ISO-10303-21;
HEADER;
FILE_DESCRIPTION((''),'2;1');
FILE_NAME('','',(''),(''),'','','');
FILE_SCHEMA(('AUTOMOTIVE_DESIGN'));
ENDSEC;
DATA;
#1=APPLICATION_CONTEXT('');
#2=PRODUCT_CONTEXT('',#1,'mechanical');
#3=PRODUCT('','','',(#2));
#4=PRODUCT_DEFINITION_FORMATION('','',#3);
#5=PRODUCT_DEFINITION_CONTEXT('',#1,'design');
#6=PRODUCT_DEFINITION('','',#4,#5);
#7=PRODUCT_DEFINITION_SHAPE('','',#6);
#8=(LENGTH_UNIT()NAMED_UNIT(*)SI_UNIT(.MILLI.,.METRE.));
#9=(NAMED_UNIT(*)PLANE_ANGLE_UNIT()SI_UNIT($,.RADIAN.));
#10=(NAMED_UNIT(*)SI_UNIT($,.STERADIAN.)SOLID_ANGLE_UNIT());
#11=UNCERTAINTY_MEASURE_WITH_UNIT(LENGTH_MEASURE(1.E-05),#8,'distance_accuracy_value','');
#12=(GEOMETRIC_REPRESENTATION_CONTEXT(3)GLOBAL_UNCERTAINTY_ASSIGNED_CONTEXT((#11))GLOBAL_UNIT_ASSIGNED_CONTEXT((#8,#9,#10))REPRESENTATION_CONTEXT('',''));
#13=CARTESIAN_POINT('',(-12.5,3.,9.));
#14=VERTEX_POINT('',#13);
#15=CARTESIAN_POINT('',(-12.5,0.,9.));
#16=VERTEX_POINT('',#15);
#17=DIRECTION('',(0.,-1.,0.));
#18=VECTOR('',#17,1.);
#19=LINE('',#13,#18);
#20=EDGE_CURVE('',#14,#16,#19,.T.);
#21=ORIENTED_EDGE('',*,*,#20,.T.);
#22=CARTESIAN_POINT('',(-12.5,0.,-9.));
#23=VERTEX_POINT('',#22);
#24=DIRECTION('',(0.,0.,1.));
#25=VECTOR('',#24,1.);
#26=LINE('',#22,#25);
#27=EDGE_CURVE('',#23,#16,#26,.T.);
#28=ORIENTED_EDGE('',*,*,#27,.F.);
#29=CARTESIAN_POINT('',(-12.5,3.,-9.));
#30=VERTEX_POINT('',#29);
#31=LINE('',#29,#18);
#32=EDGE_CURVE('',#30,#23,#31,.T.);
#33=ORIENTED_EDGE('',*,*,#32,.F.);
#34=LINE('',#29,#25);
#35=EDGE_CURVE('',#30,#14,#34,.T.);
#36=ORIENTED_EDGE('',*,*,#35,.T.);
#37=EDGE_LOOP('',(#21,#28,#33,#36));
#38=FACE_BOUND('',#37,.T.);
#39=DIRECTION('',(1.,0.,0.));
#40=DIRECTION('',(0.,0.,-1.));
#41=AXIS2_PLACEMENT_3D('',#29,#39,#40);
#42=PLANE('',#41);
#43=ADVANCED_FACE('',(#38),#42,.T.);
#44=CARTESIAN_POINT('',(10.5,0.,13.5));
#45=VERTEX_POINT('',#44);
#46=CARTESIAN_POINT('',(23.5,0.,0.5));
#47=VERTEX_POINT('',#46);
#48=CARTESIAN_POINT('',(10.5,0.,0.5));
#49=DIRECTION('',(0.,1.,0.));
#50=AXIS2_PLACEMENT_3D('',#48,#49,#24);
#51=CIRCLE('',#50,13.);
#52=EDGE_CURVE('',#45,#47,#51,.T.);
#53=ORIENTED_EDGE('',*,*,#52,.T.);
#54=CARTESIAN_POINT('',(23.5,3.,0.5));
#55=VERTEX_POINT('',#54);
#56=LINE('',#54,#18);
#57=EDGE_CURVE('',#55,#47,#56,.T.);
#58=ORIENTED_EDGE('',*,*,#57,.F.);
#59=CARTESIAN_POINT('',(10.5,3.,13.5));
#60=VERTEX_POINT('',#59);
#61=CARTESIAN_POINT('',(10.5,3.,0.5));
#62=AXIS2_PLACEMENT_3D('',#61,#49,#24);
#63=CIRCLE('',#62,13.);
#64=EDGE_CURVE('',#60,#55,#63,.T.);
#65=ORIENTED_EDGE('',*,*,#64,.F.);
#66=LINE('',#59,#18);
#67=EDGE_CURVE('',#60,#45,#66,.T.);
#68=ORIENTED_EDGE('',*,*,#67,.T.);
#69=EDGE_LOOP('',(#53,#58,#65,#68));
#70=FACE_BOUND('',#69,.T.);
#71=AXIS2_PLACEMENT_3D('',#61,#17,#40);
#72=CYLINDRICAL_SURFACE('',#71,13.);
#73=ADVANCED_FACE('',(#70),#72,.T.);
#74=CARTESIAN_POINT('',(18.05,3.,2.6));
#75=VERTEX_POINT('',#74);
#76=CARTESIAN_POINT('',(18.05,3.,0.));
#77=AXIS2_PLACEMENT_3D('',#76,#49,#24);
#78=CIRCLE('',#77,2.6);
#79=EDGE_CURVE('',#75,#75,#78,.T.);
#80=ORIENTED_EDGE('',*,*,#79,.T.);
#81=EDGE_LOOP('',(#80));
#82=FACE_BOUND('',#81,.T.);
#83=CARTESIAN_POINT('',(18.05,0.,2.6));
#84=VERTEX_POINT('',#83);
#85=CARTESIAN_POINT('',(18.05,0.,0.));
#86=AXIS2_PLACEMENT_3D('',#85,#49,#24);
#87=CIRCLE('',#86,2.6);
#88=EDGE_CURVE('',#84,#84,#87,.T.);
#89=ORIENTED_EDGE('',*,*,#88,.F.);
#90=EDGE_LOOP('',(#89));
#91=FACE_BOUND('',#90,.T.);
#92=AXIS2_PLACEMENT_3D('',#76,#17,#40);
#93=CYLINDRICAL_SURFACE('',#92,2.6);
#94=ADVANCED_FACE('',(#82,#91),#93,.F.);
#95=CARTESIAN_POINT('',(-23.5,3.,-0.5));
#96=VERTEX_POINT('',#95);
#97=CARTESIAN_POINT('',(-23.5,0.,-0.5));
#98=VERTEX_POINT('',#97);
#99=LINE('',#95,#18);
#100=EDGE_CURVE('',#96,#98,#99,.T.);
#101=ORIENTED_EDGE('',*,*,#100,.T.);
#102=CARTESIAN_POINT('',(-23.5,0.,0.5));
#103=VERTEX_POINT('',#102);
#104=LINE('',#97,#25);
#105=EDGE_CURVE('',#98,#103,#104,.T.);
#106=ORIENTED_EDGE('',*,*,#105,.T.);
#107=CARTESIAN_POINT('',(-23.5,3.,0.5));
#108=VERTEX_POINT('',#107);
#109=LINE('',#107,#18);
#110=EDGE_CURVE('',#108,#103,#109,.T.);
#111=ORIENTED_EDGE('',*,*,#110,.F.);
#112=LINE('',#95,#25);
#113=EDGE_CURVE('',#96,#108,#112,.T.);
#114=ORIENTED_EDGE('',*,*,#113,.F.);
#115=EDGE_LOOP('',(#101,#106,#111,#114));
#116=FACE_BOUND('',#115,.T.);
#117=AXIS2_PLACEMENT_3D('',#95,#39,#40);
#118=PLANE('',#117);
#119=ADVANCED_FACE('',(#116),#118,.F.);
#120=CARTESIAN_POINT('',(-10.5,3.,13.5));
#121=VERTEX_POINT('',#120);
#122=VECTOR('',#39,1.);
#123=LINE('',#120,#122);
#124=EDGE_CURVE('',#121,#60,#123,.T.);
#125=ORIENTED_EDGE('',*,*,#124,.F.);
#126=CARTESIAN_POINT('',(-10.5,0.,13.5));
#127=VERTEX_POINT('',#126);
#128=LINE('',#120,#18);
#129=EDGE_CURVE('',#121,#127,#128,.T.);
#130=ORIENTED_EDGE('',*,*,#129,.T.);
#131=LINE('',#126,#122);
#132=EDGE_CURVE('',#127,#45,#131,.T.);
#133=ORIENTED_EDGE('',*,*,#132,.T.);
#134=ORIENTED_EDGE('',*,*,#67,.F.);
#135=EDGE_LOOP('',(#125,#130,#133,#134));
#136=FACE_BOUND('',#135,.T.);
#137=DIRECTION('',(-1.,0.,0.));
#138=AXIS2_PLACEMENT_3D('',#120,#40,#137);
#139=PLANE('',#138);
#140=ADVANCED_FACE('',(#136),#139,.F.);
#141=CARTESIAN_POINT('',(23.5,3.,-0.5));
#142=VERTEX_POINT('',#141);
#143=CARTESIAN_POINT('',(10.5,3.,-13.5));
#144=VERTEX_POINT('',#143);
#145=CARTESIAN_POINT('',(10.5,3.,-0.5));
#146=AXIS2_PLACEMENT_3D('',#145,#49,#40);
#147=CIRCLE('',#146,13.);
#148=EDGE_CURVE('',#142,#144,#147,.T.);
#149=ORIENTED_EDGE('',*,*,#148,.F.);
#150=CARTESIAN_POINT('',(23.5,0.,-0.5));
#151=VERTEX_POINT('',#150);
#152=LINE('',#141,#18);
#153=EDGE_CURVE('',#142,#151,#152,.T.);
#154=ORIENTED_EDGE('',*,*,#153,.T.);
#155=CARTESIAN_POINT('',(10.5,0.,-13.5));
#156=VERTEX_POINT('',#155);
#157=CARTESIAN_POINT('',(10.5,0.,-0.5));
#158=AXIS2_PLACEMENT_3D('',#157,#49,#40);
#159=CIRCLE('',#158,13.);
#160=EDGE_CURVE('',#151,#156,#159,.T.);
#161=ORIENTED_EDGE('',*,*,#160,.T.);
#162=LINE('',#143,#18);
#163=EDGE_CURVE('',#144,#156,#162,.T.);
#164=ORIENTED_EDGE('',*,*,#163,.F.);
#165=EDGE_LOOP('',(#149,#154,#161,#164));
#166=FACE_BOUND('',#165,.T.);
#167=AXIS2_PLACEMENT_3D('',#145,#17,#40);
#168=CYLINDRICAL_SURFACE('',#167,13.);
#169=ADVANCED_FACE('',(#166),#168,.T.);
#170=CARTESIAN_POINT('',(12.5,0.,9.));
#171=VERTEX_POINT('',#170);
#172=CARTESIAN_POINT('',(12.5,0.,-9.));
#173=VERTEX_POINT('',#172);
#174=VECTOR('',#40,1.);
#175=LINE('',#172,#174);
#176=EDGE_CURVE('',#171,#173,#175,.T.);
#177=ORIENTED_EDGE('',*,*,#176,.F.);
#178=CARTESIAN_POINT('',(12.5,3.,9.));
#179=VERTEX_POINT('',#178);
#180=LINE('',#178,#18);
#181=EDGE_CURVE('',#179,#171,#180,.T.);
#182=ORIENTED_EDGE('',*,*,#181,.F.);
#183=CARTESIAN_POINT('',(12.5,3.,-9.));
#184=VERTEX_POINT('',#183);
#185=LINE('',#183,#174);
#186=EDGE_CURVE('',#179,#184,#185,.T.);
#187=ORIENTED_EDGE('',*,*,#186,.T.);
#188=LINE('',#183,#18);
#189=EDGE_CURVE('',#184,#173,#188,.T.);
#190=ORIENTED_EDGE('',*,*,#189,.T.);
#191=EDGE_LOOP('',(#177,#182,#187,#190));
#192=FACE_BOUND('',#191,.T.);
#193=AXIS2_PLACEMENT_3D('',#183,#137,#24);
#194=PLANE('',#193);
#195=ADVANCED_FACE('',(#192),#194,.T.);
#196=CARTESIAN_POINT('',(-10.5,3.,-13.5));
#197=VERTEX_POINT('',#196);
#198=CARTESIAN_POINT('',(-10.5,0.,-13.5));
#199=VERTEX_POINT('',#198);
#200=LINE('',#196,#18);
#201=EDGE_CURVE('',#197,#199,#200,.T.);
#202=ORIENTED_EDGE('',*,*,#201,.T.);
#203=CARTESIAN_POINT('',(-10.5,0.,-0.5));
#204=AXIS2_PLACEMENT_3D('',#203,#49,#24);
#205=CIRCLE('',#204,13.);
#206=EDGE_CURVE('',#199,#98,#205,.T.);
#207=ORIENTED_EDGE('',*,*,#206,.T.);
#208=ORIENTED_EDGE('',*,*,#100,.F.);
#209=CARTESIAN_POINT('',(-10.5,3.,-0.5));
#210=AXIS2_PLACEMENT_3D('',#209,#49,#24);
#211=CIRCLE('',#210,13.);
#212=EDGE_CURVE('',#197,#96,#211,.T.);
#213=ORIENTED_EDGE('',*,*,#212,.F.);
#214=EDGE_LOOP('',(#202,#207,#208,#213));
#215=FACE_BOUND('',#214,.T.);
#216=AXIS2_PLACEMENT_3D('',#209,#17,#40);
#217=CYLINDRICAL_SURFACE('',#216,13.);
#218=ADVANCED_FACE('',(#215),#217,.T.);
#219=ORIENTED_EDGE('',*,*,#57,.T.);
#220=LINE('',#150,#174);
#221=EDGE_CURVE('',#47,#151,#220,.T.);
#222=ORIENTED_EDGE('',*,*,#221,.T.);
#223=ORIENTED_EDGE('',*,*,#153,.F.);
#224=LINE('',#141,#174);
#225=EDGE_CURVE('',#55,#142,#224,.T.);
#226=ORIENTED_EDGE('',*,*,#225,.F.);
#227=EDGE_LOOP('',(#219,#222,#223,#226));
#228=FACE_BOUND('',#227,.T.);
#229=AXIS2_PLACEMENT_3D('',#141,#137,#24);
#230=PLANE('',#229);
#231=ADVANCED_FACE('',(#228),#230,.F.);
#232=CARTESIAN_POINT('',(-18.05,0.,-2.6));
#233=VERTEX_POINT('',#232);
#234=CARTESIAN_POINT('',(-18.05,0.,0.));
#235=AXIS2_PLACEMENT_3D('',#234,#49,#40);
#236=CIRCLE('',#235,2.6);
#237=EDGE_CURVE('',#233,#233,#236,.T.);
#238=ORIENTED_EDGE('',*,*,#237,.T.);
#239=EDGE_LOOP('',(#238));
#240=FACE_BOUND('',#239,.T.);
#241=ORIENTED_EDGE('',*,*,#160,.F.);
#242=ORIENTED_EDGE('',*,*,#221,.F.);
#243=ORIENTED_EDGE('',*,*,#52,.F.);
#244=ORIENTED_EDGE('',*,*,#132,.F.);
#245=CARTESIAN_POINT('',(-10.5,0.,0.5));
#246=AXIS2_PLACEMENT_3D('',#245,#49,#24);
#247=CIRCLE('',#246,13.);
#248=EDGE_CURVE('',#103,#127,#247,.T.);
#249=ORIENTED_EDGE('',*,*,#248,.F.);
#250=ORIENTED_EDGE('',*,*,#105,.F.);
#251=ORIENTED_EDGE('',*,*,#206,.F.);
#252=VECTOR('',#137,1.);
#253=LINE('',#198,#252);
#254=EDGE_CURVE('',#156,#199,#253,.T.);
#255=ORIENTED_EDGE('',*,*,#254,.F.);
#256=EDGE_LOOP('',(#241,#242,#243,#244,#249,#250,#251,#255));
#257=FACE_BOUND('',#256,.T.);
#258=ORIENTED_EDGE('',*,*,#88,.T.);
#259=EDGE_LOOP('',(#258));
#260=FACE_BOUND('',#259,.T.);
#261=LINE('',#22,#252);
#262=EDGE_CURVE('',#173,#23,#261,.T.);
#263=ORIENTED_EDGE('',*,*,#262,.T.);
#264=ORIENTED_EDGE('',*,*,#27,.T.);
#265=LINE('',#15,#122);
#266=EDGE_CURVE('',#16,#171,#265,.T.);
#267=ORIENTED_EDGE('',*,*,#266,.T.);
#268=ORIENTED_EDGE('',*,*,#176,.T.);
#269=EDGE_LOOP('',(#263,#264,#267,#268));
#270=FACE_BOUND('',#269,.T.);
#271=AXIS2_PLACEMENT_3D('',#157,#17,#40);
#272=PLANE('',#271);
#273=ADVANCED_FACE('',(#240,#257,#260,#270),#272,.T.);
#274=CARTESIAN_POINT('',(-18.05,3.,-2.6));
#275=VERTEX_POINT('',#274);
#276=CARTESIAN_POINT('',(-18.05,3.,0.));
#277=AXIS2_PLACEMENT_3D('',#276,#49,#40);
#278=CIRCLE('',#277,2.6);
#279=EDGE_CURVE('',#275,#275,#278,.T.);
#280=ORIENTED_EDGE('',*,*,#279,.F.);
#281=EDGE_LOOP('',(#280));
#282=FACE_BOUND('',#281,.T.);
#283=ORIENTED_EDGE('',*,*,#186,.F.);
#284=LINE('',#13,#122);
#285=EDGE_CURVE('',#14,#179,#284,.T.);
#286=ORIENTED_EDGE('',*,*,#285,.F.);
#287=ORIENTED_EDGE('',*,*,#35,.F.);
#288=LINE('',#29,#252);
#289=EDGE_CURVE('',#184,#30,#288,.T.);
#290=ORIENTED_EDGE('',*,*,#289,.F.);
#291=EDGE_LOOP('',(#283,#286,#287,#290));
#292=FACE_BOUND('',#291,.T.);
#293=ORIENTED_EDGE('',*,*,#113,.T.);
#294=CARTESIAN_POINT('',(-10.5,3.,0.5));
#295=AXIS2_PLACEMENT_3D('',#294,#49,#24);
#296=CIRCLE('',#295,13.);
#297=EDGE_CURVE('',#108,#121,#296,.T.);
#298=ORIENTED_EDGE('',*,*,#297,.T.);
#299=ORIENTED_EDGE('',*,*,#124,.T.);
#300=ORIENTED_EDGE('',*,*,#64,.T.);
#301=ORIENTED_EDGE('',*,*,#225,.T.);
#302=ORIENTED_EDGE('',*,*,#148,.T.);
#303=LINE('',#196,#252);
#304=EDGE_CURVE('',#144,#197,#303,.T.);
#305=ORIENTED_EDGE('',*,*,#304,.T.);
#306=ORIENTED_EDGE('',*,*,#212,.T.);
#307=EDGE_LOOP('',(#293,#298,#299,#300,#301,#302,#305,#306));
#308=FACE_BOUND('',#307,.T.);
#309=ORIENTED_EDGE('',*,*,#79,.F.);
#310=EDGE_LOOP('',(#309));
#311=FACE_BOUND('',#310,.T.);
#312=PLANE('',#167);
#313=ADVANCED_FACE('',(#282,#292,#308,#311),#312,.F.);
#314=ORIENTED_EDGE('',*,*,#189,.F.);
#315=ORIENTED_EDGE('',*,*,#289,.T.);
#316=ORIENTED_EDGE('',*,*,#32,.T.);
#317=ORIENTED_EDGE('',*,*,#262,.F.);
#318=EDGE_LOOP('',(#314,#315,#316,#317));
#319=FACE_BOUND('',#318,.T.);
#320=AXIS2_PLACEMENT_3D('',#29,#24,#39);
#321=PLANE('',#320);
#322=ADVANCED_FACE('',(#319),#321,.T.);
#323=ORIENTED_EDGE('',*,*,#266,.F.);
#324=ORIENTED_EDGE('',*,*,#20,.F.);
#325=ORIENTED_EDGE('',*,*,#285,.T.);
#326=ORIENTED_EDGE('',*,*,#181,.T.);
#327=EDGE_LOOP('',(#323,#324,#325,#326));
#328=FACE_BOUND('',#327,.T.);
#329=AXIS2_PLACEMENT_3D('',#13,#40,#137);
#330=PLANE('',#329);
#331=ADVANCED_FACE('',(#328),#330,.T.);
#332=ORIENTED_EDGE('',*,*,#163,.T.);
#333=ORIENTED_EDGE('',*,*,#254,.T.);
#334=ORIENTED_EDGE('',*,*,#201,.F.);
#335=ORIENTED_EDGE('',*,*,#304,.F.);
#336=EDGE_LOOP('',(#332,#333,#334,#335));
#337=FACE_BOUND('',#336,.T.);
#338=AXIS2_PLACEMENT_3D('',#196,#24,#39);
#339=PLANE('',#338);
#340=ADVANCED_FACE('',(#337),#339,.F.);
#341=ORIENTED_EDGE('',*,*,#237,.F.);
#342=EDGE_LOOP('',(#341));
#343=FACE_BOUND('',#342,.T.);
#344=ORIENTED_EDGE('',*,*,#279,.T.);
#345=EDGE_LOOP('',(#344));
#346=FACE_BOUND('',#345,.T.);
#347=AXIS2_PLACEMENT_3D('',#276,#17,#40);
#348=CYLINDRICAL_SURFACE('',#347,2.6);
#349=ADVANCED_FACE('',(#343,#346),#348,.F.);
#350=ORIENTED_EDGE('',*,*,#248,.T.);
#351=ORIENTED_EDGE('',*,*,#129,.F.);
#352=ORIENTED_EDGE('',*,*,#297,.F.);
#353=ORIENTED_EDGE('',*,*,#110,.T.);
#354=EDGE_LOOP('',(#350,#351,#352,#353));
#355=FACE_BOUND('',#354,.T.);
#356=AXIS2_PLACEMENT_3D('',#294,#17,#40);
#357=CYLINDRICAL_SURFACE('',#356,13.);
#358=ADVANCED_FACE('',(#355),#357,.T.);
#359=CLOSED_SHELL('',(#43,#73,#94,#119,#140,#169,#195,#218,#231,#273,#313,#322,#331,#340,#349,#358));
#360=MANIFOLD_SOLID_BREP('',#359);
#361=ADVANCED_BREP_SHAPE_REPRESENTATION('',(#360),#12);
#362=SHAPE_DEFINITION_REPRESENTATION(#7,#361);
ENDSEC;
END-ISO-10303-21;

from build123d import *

# Parameters (mm, degrees)
SKETCH1_R           = 2.6
SKETCH1_W           = 25
SKETCH1_H           = 18
BOSS_EXTRUDE1_DEPTH = 3


with BuildPart() as part:
    # Sketch1 → Boss-Extrude1 (new body)
    with BuildSketch(Plane(origin=(0, 0, 0), x_dir=(1, 0, 0), z_dir=(0, 1, 0))):
        with BuildLine():
            Line((-10.5, 13.5), (10.5, 13.5))
            ThreePointArc((10.5, 13.5), (19.692388155, 9.692388155), (23.5, 0.5))
            Line((23.5, 0.5), (23.5, -0.5))
            ThreePointArc((23.5, -0.5), (19.692388155, -9.692388155), (10.5, -13.5))
            Line((10.5, -13.5), (-10.5, -13.5))
            ThreePointArc((-10.5, -13.5), (-19.692388155, -9.692388155), (-23.5, -0.5))
            Line((-23.5, -0.5), (-23.5, 0.5))
            ThreePointArc((-23.5, 0.5), (-19.692388155, 9.692388155), (-10.5, 13.5))
        make_face()
        with Locations(Location((18.05, 0, 0), (0, 0, 270))):
            Circle(SKETCH1_R, mode=Mode.SUBTRACT)
        with Locations(Location((-18.05, 0, 0), (0, 0, 90))):
            Circle(SKETCH1_R, mode=Mode.SUBTRACT)
        Rectangle(SKETCH1_W, SKETCH1_H, mode=Mode.SUBTRACT)
    extrude(amount=BOSS_EXTRUDE1_DEPTH)


solid = part.part
